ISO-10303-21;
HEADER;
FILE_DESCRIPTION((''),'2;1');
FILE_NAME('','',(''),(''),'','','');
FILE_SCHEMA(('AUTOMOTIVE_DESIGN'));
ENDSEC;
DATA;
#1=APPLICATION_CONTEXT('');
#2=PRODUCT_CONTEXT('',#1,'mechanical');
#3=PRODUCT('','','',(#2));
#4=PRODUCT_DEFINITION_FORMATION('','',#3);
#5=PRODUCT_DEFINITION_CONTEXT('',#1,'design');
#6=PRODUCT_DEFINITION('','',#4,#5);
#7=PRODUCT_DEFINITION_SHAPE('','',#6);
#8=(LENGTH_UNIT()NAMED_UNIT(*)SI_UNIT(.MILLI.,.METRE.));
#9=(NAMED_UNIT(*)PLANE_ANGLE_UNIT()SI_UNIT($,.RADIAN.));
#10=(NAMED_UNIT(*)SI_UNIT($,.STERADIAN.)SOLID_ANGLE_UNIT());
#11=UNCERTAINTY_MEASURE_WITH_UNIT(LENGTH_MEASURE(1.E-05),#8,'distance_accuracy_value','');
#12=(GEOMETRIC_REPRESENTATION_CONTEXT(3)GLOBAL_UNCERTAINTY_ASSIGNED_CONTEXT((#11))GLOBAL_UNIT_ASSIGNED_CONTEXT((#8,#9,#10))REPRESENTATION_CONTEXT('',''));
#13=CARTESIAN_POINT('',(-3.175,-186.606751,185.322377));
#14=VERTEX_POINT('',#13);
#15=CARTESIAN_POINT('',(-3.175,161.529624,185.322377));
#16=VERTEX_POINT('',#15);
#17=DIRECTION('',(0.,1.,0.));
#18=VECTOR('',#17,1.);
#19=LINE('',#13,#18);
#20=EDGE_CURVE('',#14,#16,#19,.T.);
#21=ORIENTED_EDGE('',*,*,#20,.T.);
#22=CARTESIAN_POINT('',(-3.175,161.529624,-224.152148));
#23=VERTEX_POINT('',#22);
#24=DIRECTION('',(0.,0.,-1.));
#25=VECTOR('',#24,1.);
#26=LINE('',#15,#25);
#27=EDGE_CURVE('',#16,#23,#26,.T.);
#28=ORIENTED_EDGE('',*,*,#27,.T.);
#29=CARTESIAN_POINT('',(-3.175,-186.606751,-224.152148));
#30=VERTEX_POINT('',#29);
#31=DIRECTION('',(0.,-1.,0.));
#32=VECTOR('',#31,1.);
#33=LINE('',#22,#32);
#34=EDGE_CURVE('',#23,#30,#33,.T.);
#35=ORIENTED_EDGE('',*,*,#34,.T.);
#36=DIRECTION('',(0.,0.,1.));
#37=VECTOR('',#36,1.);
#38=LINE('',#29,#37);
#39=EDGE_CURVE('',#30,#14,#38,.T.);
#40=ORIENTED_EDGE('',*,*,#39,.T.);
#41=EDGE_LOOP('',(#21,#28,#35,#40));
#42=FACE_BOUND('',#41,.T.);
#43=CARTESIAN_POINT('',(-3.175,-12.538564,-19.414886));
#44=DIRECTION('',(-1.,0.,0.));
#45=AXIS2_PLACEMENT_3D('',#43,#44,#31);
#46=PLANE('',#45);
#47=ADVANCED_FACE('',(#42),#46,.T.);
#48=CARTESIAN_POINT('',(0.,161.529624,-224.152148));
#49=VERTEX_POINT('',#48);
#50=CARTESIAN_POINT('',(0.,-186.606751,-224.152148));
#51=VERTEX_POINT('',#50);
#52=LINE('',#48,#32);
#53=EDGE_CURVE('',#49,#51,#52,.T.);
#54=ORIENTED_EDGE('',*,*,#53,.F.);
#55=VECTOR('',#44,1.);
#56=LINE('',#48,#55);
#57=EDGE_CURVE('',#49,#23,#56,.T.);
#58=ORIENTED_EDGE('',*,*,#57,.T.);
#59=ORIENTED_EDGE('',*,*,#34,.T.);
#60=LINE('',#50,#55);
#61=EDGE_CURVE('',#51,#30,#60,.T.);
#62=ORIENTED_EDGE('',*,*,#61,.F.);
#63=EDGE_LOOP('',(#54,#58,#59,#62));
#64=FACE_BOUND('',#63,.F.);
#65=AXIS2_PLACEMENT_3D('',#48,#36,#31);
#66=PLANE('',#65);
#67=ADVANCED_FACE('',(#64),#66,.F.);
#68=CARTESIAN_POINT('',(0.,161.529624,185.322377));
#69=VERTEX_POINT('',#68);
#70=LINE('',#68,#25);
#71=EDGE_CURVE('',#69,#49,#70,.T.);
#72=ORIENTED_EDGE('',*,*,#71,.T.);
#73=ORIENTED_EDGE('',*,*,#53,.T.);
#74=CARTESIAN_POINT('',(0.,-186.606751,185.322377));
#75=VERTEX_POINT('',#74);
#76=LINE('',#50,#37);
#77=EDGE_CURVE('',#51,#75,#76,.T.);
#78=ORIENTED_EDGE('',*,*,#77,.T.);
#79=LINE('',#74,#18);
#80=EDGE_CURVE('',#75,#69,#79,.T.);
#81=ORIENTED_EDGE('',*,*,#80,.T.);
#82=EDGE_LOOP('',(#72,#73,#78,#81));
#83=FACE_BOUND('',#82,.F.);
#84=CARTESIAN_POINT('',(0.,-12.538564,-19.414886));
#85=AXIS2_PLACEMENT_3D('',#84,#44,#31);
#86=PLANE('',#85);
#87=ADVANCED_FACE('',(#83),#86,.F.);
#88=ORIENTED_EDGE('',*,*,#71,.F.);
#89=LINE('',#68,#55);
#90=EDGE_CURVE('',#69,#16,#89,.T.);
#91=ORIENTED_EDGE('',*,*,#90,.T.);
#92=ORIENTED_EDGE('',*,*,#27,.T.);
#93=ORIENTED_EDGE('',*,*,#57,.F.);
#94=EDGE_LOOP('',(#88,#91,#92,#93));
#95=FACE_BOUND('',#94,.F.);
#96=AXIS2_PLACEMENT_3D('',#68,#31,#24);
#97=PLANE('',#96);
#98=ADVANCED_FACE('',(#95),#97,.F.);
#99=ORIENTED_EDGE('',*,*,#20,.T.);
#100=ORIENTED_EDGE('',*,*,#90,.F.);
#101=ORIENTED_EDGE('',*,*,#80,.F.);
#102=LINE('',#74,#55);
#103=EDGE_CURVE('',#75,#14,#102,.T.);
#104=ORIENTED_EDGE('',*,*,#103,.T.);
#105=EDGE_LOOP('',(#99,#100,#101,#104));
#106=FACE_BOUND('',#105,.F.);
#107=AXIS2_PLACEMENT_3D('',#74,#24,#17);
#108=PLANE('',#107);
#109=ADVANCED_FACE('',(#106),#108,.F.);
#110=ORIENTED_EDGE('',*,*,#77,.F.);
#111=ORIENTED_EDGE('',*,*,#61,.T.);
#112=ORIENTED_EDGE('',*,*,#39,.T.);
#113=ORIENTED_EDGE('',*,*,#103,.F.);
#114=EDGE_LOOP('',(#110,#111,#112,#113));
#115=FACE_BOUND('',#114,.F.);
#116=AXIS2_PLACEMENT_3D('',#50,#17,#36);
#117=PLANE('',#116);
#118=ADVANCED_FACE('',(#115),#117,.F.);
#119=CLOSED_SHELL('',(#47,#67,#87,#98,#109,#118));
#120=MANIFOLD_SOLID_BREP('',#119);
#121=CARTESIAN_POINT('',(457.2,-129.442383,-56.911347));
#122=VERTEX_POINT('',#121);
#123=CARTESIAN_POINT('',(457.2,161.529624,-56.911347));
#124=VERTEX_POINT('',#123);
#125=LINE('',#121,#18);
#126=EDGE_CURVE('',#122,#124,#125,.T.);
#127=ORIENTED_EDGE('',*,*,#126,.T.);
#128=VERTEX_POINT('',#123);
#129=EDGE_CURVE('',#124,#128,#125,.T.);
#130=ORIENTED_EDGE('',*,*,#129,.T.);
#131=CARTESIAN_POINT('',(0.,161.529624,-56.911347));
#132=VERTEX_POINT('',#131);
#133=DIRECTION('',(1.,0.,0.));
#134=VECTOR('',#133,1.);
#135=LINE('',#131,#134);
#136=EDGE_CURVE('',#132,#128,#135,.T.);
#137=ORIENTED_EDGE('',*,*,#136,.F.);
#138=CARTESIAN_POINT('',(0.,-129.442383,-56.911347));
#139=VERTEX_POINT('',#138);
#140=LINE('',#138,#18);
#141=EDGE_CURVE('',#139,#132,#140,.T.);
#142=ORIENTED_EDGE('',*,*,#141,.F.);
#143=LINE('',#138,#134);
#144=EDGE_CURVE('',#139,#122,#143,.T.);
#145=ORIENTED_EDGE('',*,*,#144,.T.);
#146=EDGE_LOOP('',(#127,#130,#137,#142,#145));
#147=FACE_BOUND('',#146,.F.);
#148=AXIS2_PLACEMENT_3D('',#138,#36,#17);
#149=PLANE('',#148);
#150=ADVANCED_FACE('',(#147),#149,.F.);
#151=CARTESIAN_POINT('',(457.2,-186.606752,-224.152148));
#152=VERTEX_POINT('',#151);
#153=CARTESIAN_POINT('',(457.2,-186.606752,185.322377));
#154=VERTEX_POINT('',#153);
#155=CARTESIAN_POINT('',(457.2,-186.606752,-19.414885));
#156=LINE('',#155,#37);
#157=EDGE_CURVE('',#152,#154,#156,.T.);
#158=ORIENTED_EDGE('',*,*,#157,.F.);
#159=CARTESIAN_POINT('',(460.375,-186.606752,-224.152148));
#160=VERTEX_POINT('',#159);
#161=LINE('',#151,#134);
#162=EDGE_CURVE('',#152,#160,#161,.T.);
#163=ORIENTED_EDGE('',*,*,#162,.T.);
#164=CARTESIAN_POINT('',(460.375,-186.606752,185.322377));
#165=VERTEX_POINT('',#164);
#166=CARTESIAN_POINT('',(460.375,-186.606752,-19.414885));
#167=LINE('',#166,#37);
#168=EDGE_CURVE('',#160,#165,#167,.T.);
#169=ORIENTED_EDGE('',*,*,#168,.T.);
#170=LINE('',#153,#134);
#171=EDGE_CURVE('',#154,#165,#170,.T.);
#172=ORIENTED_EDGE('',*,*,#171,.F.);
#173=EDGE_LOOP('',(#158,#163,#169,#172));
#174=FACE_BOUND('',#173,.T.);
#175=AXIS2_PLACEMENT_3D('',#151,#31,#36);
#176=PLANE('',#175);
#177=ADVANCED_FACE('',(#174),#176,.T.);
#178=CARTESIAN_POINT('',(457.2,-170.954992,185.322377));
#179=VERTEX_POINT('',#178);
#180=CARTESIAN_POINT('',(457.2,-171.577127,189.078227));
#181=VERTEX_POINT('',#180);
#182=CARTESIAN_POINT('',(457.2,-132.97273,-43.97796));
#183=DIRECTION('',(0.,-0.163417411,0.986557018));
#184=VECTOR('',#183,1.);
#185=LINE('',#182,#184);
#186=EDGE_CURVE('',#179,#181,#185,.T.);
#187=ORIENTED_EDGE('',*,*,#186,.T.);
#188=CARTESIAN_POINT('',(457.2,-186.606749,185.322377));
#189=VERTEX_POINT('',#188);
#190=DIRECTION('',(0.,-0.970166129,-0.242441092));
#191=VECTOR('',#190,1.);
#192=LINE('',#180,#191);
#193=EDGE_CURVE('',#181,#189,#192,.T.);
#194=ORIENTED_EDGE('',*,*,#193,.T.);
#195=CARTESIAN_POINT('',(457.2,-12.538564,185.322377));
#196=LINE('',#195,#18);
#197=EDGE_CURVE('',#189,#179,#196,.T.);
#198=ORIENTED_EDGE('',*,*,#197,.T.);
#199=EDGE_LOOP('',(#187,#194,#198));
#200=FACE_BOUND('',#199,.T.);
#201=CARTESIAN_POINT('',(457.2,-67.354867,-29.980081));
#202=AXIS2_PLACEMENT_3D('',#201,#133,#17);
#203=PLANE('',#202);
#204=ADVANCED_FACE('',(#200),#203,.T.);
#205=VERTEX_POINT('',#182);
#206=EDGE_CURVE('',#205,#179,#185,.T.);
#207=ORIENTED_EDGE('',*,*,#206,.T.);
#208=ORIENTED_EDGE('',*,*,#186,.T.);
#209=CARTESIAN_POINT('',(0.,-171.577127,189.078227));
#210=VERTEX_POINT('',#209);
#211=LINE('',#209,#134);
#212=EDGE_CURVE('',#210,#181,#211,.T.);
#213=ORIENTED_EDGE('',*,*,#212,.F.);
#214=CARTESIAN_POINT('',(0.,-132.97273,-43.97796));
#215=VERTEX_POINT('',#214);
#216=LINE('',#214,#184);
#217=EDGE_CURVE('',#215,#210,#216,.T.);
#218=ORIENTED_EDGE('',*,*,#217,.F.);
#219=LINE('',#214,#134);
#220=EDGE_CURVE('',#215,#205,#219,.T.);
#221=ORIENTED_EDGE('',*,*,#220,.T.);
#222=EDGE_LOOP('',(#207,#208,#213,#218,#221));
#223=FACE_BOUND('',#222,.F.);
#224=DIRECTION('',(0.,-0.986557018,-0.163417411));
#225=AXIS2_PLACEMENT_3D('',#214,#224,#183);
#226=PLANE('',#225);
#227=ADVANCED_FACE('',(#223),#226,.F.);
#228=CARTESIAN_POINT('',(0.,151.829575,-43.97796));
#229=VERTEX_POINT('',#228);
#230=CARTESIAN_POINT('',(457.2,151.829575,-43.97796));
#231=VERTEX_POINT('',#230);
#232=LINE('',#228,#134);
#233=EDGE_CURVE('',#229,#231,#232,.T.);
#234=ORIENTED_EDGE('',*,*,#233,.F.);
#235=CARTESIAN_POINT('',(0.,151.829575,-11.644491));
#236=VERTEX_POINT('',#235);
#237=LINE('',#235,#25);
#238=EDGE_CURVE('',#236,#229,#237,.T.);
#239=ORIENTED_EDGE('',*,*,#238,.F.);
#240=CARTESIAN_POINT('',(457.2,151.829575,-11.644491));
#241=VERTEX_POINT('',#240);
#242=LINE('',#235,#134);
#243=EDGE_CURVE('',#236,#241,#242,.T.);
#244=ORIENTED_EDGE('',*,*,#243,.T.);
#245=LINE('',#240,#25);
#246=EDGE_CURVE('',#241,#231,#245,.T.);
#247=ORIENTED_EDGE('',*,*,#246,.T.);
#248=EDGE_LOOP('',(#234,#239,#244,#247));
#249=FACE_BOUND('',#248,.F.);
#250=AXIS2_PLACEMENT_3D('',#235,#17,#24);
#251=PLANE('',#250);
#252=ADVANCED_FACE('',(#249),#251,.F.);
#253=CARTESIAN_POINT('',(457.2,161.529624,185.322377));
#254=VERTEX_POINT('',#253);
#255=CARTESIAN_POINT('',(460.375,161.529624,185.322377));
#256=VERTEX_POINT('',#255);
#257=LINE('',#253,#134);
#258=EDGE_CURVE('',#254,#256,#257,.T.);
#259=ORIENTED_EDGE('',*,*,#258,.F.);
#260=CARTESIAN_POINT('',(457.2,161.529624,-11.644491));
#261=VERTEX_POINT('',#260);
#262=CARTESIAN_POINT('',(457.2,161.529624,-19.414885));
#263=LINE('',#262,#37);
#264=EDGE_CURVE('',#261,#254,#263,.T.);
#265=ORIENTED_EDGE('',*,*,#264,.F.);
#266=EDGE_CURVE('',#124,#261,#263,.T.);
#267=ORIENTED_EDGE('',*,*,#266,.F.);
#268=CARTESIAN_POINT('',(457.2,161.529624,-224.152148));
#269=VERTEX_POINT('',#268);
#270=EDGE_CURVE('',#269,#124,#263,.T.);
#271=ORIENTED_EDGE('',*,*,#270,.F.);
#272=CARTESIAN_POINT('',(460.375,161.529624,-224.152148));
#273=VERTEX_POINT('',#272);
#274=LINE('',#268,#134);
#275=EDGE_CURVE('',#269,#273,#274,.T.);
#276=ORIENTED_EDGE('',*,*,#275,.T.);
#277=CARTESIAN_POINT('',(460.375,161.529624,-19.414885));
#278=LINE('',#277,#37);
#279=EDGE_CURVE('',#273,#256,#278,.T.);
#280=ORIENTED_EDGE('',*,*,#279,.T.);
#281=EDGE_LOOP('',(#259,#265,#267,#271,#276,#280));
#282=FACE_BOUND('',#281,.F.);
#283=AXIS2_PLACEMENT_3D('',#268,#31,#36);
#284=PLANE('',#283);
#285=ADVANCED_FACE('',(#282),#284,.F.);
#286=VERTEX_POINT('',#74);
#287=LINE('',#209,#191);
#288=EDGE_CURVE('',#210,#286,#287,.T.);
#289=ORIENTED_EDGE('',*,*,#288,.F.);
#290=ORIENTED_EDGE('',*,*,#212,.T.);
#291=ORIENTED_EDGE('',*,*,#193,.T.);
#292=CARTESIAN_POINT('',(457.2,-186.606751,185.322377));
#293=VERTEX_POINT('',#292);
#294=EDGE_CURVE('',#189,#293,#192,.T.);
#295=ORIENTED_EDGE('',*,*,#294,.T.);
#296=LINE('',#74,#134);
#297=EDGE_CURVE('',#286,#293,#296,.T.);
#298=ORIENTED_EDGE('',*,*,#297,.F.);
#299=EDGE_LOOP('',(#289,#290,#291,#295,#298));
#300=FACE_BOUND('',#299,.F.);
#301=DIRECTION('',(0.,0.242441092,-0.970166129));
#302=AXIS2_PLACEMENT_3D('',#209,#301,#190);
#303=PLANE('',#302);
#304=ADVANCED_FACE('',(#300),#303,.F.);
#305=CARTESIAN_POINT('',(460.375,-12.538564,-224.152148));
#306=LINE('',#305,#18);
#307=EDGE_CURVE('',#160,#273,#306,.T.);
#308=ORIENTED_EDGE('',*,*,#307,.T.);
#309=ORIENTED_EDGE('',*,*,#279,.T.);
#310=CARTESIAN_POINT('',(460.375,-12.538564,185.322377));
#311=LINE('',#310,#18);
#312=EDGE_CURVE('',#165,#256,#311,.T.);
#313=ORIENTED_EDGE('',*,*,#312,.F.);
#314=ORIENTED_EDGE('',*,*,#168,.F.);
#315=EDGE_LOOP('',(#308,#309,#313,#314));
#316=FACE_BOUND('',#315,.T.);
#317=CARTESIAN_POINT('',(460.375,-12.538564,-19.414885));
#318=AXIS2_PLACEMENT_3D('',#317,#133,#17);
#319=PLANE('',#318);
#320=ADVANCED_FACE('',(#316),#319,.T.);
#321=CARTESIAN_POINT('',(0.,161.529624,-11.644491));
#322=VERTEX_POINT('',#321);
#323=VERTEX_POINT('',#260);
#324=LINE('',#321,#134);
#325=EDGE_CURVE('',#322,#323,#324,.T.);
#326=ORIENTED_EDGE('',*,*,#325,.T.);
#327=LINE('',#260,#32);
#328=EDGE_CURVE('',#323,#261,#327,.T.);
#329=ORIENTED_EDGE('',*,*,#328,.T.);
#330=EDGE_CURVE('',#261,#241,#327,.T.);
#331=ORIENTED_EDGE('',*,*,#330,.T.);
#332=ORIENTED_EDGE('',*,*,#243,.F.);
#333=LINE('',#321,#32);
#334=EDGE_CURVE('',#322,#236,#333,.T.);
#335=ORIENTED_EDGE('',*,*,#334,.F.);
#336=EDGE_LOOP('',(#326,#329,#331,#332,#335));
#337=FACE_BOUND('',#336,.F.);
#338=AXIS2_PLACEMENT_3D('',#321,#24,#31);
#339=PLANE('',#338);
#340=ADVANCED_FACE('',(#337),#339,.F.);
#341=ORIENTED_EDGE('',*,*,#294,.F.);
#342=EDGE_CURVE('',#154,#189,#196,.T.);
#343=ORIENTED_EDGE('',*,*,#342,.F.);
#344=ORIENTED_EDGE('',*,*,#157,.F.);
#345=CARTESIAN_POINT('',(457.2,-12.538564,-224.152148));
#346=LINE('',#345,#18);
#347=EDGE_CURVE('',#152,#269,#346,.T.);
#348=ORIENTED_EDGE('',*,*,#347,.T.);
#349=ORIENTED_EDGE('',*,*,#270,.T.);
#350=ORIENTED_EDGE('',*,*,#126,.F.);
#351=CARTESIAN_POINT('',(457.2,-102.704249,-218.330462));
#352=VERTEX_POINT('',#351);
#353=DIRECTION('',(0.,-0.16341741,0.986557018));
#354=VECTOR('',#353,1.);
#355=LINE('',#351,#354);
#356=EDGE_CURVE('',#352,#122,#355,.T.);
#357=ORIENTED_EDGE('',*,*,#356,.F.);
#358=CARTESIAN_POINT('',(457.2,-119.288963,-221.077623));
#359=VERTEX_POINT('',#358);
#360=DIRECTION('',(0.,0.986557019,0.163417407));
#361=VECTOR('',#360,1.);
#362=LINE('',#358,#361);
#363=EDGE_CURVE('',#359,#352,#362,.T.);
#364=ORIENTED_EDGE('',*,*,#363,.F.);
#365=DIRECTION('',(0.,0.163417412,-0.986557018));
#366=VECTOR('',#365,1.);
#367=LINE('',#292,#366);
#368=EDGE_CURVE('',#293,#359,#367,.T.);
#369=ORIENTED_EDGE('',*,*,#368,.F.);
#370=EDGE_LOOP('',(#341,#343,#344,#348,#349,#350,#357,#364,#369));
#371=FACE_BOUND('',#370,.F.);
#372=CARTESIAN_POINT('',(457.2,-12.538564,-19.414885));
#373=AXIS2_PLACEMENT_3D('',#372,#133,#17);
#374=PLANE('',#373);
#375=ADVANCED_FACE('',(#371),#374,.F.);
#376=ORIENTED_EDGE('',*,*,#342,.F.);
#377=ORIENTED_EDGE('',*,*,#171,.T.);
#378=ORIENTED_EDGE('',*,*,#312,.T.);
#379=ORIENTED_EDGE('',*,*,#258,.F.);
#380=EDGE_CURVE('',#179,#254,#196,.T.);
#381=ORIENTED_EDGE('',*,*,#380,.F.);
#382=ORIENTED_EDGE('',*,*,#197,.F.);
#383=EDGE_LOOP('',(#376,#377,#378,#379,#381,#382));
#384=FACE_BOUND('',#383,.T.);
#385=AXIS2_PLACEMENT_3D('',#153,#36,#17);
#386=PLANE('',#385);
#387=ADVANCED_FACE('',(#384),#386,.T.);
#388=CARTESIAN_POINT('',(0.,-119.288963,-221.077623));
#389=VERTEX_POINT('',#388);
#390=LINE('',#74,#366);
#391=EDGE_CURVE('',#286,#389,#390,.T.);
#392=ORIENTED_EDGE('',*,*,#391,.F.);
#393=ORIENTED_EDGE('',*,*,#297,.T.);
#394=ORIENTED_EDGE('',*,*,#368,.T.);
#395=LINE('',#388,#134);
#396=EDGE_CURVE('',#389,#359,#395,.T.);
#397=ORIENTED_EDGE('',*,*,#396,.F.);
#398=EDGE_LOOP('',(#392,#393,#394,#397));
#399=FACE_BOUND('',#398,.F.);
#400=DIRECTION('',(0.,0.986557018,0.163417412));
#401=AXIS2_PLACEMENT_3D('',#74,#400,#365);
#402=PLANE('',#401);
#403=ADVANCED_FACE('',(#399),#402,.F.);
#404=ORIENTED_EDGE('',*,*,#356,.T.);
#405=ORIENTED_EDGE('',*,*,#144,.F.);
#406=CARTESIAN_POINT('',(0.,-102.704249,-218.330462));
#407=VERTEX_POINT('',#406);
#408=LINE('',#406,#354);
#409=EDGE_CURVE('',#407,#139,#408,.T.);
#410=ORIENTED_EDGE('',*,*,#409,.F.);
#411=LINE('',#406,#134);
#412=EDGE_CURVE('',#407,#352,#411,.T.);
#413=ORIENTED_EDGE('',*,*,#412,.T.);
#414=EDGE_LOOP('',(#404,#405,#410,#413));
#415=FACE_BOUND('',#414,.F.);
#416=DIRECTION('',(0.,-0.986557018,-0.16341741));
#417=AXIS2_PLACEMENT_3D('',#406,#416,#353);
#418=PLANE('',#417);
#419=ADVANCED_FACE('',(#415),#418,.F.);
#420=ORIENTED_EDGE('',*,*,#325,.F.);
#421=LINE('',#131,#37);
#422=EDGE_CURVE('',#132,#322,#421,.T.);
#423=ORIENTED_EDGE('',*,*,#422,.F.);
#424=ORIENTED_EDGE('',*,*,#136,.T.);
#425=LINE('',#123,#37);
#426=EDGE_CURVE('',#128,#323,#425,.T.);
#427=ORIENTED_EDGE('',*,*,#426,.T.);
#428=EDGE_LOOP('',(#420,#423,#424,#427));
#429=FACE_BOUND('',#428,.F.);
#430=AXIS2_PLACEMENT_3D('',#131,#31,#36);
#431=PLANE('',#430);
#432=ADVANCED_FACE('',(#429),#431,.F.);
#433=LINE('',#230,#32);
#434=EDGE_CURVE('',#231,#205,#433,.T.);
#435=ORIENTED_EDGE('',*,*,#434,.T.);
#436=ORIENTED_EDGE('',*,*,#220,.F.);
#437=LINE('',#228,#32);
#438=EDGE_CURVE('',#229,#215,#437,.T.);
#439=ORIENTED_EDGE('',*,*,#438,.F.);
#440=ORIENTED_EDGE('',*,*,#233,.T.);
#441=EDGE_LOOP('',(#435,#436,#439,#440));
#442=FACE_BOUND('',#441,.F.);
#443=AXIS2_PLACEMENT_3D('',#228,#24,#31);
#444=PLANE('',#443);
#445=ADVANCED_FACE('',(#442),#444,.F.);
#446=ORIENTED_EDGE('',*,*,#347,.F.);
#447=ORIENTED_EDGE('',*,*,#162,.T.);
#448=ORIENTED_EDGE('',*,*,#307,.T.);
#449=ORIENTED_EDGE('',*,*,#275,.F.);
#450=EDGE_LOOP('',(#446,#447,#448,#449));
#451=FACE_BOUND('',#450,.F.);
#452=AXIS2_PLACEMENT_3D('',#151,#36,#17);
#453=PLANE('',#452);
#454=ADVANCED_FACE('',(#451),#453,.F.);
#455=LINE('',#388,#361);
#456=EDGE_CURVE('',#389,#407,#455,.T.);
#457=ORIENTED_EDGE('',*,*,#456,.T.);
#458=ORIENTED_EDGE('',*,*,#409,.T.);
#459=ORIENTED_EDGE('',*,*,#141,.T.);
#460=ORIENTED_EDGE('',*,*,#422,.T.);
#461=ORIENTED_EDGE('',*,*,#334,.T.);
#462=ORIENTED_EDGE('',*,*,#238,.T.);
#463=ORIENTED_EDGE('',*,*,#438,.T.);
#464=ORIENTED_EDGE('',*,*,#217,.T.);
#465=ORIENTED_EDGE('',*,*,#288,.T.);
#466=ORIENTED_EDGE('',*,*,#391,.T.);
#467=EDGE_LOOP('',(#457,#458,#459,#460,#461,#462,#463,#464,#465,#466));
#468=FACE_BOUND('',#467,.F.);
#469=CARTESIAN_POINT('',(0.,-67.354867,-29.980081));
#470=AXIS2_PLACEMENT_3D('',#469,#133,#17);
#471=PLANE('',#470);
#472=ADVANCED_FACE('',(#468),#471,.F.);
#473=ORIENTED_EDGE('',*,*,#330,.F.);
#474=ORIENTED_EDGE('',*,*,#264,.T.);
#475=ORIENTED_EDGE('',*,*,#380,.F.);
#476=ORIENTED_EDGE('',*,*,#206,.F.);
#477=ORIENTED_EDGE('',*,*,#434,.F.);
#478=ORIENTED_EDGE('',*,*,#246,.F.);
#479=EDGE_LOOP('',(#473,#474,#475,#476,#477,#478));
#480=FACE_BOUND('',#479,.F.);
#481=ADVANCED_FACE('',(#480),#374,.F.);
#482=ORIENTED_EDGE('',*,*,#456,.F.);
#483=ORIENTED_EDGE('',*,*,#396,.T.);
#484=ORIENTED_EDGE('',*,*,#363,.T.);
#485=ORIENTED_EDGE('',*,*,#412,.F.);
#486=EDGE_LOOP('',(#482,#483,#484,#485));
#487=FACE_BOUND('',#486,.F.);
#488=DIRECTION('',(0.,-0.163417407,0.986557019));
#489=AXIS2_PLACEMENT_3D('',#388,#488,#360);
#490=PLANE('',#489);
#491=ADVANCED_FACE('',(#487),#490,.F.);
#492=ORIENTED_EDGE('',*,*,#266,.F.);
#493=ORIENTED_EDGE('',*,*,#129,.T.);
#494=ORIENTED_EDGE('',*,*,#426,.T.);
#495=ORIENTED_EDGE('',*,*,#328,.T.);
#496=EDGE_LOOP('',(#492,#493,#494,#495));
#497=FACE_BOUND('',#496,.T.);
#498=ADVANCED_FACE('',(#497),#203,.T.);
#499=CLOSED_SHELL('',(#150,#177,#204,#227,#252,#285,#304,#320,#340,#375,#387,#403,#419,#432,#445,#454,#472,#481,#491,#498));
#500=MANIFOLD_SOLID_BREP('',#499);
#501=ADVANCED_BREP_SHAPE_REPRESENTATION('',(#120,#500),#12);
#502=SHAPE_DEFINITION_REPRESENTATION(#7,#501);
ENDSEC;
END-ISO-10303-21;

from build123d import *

# Parameters (mm, degrees)
F1_DEPTH = 457.2
F2_W     = 348.136375
F2_H     = 409.474525
F3_DEPTH = 3.175
F5_DEPTH = 3.175


with BuildPart() as f1:
    # F0 (on Right) → F1 (new body)
    with BuildSketch(Plane.YZ):
        Polygon((-171.577127, 189.078227), (-186.606751, 185.322377), (-119.288963, -221.077623), (-102.704249, -218.330462), (-129.442383, -56.911347), (161.529624, -56.911347), (161.529624, -11.644491), (151.829575, -11.644491), (151.829575, -43.97796), (-132.97273, -43.97796), align=None)
    extrude(amount=F1_DEPTH)

    # F2 (on face) → F3 (join)
    with BuildSketch(Plane.YZ.offset(457.2)):
        with Locations((-12.538564, -19.414885)):
            Rectangle(F2_W, F2_H)
    extrude(amount=F3_DEPTH)


with BuildPart() as f5:
    # F4 (on face) → F5 (new body)
    with BuildSketch(Plane(origin=(0, 0, 0), x_dir=(0, -1, 0), z_dir=(-1, 0, 0))):
        Polygon((-161.529624, -11.644491), (-161.529624, -56.911347), (-161.529624, -224.152148), (186.606751, -224.152148), (186.606751, 185.322377), (170.954992, 185.322377), (-161.529624, 185.322377), align=None)
    extrude(amount=F5_DEPTH)


solid = Compound([f1.part, f5.part])
